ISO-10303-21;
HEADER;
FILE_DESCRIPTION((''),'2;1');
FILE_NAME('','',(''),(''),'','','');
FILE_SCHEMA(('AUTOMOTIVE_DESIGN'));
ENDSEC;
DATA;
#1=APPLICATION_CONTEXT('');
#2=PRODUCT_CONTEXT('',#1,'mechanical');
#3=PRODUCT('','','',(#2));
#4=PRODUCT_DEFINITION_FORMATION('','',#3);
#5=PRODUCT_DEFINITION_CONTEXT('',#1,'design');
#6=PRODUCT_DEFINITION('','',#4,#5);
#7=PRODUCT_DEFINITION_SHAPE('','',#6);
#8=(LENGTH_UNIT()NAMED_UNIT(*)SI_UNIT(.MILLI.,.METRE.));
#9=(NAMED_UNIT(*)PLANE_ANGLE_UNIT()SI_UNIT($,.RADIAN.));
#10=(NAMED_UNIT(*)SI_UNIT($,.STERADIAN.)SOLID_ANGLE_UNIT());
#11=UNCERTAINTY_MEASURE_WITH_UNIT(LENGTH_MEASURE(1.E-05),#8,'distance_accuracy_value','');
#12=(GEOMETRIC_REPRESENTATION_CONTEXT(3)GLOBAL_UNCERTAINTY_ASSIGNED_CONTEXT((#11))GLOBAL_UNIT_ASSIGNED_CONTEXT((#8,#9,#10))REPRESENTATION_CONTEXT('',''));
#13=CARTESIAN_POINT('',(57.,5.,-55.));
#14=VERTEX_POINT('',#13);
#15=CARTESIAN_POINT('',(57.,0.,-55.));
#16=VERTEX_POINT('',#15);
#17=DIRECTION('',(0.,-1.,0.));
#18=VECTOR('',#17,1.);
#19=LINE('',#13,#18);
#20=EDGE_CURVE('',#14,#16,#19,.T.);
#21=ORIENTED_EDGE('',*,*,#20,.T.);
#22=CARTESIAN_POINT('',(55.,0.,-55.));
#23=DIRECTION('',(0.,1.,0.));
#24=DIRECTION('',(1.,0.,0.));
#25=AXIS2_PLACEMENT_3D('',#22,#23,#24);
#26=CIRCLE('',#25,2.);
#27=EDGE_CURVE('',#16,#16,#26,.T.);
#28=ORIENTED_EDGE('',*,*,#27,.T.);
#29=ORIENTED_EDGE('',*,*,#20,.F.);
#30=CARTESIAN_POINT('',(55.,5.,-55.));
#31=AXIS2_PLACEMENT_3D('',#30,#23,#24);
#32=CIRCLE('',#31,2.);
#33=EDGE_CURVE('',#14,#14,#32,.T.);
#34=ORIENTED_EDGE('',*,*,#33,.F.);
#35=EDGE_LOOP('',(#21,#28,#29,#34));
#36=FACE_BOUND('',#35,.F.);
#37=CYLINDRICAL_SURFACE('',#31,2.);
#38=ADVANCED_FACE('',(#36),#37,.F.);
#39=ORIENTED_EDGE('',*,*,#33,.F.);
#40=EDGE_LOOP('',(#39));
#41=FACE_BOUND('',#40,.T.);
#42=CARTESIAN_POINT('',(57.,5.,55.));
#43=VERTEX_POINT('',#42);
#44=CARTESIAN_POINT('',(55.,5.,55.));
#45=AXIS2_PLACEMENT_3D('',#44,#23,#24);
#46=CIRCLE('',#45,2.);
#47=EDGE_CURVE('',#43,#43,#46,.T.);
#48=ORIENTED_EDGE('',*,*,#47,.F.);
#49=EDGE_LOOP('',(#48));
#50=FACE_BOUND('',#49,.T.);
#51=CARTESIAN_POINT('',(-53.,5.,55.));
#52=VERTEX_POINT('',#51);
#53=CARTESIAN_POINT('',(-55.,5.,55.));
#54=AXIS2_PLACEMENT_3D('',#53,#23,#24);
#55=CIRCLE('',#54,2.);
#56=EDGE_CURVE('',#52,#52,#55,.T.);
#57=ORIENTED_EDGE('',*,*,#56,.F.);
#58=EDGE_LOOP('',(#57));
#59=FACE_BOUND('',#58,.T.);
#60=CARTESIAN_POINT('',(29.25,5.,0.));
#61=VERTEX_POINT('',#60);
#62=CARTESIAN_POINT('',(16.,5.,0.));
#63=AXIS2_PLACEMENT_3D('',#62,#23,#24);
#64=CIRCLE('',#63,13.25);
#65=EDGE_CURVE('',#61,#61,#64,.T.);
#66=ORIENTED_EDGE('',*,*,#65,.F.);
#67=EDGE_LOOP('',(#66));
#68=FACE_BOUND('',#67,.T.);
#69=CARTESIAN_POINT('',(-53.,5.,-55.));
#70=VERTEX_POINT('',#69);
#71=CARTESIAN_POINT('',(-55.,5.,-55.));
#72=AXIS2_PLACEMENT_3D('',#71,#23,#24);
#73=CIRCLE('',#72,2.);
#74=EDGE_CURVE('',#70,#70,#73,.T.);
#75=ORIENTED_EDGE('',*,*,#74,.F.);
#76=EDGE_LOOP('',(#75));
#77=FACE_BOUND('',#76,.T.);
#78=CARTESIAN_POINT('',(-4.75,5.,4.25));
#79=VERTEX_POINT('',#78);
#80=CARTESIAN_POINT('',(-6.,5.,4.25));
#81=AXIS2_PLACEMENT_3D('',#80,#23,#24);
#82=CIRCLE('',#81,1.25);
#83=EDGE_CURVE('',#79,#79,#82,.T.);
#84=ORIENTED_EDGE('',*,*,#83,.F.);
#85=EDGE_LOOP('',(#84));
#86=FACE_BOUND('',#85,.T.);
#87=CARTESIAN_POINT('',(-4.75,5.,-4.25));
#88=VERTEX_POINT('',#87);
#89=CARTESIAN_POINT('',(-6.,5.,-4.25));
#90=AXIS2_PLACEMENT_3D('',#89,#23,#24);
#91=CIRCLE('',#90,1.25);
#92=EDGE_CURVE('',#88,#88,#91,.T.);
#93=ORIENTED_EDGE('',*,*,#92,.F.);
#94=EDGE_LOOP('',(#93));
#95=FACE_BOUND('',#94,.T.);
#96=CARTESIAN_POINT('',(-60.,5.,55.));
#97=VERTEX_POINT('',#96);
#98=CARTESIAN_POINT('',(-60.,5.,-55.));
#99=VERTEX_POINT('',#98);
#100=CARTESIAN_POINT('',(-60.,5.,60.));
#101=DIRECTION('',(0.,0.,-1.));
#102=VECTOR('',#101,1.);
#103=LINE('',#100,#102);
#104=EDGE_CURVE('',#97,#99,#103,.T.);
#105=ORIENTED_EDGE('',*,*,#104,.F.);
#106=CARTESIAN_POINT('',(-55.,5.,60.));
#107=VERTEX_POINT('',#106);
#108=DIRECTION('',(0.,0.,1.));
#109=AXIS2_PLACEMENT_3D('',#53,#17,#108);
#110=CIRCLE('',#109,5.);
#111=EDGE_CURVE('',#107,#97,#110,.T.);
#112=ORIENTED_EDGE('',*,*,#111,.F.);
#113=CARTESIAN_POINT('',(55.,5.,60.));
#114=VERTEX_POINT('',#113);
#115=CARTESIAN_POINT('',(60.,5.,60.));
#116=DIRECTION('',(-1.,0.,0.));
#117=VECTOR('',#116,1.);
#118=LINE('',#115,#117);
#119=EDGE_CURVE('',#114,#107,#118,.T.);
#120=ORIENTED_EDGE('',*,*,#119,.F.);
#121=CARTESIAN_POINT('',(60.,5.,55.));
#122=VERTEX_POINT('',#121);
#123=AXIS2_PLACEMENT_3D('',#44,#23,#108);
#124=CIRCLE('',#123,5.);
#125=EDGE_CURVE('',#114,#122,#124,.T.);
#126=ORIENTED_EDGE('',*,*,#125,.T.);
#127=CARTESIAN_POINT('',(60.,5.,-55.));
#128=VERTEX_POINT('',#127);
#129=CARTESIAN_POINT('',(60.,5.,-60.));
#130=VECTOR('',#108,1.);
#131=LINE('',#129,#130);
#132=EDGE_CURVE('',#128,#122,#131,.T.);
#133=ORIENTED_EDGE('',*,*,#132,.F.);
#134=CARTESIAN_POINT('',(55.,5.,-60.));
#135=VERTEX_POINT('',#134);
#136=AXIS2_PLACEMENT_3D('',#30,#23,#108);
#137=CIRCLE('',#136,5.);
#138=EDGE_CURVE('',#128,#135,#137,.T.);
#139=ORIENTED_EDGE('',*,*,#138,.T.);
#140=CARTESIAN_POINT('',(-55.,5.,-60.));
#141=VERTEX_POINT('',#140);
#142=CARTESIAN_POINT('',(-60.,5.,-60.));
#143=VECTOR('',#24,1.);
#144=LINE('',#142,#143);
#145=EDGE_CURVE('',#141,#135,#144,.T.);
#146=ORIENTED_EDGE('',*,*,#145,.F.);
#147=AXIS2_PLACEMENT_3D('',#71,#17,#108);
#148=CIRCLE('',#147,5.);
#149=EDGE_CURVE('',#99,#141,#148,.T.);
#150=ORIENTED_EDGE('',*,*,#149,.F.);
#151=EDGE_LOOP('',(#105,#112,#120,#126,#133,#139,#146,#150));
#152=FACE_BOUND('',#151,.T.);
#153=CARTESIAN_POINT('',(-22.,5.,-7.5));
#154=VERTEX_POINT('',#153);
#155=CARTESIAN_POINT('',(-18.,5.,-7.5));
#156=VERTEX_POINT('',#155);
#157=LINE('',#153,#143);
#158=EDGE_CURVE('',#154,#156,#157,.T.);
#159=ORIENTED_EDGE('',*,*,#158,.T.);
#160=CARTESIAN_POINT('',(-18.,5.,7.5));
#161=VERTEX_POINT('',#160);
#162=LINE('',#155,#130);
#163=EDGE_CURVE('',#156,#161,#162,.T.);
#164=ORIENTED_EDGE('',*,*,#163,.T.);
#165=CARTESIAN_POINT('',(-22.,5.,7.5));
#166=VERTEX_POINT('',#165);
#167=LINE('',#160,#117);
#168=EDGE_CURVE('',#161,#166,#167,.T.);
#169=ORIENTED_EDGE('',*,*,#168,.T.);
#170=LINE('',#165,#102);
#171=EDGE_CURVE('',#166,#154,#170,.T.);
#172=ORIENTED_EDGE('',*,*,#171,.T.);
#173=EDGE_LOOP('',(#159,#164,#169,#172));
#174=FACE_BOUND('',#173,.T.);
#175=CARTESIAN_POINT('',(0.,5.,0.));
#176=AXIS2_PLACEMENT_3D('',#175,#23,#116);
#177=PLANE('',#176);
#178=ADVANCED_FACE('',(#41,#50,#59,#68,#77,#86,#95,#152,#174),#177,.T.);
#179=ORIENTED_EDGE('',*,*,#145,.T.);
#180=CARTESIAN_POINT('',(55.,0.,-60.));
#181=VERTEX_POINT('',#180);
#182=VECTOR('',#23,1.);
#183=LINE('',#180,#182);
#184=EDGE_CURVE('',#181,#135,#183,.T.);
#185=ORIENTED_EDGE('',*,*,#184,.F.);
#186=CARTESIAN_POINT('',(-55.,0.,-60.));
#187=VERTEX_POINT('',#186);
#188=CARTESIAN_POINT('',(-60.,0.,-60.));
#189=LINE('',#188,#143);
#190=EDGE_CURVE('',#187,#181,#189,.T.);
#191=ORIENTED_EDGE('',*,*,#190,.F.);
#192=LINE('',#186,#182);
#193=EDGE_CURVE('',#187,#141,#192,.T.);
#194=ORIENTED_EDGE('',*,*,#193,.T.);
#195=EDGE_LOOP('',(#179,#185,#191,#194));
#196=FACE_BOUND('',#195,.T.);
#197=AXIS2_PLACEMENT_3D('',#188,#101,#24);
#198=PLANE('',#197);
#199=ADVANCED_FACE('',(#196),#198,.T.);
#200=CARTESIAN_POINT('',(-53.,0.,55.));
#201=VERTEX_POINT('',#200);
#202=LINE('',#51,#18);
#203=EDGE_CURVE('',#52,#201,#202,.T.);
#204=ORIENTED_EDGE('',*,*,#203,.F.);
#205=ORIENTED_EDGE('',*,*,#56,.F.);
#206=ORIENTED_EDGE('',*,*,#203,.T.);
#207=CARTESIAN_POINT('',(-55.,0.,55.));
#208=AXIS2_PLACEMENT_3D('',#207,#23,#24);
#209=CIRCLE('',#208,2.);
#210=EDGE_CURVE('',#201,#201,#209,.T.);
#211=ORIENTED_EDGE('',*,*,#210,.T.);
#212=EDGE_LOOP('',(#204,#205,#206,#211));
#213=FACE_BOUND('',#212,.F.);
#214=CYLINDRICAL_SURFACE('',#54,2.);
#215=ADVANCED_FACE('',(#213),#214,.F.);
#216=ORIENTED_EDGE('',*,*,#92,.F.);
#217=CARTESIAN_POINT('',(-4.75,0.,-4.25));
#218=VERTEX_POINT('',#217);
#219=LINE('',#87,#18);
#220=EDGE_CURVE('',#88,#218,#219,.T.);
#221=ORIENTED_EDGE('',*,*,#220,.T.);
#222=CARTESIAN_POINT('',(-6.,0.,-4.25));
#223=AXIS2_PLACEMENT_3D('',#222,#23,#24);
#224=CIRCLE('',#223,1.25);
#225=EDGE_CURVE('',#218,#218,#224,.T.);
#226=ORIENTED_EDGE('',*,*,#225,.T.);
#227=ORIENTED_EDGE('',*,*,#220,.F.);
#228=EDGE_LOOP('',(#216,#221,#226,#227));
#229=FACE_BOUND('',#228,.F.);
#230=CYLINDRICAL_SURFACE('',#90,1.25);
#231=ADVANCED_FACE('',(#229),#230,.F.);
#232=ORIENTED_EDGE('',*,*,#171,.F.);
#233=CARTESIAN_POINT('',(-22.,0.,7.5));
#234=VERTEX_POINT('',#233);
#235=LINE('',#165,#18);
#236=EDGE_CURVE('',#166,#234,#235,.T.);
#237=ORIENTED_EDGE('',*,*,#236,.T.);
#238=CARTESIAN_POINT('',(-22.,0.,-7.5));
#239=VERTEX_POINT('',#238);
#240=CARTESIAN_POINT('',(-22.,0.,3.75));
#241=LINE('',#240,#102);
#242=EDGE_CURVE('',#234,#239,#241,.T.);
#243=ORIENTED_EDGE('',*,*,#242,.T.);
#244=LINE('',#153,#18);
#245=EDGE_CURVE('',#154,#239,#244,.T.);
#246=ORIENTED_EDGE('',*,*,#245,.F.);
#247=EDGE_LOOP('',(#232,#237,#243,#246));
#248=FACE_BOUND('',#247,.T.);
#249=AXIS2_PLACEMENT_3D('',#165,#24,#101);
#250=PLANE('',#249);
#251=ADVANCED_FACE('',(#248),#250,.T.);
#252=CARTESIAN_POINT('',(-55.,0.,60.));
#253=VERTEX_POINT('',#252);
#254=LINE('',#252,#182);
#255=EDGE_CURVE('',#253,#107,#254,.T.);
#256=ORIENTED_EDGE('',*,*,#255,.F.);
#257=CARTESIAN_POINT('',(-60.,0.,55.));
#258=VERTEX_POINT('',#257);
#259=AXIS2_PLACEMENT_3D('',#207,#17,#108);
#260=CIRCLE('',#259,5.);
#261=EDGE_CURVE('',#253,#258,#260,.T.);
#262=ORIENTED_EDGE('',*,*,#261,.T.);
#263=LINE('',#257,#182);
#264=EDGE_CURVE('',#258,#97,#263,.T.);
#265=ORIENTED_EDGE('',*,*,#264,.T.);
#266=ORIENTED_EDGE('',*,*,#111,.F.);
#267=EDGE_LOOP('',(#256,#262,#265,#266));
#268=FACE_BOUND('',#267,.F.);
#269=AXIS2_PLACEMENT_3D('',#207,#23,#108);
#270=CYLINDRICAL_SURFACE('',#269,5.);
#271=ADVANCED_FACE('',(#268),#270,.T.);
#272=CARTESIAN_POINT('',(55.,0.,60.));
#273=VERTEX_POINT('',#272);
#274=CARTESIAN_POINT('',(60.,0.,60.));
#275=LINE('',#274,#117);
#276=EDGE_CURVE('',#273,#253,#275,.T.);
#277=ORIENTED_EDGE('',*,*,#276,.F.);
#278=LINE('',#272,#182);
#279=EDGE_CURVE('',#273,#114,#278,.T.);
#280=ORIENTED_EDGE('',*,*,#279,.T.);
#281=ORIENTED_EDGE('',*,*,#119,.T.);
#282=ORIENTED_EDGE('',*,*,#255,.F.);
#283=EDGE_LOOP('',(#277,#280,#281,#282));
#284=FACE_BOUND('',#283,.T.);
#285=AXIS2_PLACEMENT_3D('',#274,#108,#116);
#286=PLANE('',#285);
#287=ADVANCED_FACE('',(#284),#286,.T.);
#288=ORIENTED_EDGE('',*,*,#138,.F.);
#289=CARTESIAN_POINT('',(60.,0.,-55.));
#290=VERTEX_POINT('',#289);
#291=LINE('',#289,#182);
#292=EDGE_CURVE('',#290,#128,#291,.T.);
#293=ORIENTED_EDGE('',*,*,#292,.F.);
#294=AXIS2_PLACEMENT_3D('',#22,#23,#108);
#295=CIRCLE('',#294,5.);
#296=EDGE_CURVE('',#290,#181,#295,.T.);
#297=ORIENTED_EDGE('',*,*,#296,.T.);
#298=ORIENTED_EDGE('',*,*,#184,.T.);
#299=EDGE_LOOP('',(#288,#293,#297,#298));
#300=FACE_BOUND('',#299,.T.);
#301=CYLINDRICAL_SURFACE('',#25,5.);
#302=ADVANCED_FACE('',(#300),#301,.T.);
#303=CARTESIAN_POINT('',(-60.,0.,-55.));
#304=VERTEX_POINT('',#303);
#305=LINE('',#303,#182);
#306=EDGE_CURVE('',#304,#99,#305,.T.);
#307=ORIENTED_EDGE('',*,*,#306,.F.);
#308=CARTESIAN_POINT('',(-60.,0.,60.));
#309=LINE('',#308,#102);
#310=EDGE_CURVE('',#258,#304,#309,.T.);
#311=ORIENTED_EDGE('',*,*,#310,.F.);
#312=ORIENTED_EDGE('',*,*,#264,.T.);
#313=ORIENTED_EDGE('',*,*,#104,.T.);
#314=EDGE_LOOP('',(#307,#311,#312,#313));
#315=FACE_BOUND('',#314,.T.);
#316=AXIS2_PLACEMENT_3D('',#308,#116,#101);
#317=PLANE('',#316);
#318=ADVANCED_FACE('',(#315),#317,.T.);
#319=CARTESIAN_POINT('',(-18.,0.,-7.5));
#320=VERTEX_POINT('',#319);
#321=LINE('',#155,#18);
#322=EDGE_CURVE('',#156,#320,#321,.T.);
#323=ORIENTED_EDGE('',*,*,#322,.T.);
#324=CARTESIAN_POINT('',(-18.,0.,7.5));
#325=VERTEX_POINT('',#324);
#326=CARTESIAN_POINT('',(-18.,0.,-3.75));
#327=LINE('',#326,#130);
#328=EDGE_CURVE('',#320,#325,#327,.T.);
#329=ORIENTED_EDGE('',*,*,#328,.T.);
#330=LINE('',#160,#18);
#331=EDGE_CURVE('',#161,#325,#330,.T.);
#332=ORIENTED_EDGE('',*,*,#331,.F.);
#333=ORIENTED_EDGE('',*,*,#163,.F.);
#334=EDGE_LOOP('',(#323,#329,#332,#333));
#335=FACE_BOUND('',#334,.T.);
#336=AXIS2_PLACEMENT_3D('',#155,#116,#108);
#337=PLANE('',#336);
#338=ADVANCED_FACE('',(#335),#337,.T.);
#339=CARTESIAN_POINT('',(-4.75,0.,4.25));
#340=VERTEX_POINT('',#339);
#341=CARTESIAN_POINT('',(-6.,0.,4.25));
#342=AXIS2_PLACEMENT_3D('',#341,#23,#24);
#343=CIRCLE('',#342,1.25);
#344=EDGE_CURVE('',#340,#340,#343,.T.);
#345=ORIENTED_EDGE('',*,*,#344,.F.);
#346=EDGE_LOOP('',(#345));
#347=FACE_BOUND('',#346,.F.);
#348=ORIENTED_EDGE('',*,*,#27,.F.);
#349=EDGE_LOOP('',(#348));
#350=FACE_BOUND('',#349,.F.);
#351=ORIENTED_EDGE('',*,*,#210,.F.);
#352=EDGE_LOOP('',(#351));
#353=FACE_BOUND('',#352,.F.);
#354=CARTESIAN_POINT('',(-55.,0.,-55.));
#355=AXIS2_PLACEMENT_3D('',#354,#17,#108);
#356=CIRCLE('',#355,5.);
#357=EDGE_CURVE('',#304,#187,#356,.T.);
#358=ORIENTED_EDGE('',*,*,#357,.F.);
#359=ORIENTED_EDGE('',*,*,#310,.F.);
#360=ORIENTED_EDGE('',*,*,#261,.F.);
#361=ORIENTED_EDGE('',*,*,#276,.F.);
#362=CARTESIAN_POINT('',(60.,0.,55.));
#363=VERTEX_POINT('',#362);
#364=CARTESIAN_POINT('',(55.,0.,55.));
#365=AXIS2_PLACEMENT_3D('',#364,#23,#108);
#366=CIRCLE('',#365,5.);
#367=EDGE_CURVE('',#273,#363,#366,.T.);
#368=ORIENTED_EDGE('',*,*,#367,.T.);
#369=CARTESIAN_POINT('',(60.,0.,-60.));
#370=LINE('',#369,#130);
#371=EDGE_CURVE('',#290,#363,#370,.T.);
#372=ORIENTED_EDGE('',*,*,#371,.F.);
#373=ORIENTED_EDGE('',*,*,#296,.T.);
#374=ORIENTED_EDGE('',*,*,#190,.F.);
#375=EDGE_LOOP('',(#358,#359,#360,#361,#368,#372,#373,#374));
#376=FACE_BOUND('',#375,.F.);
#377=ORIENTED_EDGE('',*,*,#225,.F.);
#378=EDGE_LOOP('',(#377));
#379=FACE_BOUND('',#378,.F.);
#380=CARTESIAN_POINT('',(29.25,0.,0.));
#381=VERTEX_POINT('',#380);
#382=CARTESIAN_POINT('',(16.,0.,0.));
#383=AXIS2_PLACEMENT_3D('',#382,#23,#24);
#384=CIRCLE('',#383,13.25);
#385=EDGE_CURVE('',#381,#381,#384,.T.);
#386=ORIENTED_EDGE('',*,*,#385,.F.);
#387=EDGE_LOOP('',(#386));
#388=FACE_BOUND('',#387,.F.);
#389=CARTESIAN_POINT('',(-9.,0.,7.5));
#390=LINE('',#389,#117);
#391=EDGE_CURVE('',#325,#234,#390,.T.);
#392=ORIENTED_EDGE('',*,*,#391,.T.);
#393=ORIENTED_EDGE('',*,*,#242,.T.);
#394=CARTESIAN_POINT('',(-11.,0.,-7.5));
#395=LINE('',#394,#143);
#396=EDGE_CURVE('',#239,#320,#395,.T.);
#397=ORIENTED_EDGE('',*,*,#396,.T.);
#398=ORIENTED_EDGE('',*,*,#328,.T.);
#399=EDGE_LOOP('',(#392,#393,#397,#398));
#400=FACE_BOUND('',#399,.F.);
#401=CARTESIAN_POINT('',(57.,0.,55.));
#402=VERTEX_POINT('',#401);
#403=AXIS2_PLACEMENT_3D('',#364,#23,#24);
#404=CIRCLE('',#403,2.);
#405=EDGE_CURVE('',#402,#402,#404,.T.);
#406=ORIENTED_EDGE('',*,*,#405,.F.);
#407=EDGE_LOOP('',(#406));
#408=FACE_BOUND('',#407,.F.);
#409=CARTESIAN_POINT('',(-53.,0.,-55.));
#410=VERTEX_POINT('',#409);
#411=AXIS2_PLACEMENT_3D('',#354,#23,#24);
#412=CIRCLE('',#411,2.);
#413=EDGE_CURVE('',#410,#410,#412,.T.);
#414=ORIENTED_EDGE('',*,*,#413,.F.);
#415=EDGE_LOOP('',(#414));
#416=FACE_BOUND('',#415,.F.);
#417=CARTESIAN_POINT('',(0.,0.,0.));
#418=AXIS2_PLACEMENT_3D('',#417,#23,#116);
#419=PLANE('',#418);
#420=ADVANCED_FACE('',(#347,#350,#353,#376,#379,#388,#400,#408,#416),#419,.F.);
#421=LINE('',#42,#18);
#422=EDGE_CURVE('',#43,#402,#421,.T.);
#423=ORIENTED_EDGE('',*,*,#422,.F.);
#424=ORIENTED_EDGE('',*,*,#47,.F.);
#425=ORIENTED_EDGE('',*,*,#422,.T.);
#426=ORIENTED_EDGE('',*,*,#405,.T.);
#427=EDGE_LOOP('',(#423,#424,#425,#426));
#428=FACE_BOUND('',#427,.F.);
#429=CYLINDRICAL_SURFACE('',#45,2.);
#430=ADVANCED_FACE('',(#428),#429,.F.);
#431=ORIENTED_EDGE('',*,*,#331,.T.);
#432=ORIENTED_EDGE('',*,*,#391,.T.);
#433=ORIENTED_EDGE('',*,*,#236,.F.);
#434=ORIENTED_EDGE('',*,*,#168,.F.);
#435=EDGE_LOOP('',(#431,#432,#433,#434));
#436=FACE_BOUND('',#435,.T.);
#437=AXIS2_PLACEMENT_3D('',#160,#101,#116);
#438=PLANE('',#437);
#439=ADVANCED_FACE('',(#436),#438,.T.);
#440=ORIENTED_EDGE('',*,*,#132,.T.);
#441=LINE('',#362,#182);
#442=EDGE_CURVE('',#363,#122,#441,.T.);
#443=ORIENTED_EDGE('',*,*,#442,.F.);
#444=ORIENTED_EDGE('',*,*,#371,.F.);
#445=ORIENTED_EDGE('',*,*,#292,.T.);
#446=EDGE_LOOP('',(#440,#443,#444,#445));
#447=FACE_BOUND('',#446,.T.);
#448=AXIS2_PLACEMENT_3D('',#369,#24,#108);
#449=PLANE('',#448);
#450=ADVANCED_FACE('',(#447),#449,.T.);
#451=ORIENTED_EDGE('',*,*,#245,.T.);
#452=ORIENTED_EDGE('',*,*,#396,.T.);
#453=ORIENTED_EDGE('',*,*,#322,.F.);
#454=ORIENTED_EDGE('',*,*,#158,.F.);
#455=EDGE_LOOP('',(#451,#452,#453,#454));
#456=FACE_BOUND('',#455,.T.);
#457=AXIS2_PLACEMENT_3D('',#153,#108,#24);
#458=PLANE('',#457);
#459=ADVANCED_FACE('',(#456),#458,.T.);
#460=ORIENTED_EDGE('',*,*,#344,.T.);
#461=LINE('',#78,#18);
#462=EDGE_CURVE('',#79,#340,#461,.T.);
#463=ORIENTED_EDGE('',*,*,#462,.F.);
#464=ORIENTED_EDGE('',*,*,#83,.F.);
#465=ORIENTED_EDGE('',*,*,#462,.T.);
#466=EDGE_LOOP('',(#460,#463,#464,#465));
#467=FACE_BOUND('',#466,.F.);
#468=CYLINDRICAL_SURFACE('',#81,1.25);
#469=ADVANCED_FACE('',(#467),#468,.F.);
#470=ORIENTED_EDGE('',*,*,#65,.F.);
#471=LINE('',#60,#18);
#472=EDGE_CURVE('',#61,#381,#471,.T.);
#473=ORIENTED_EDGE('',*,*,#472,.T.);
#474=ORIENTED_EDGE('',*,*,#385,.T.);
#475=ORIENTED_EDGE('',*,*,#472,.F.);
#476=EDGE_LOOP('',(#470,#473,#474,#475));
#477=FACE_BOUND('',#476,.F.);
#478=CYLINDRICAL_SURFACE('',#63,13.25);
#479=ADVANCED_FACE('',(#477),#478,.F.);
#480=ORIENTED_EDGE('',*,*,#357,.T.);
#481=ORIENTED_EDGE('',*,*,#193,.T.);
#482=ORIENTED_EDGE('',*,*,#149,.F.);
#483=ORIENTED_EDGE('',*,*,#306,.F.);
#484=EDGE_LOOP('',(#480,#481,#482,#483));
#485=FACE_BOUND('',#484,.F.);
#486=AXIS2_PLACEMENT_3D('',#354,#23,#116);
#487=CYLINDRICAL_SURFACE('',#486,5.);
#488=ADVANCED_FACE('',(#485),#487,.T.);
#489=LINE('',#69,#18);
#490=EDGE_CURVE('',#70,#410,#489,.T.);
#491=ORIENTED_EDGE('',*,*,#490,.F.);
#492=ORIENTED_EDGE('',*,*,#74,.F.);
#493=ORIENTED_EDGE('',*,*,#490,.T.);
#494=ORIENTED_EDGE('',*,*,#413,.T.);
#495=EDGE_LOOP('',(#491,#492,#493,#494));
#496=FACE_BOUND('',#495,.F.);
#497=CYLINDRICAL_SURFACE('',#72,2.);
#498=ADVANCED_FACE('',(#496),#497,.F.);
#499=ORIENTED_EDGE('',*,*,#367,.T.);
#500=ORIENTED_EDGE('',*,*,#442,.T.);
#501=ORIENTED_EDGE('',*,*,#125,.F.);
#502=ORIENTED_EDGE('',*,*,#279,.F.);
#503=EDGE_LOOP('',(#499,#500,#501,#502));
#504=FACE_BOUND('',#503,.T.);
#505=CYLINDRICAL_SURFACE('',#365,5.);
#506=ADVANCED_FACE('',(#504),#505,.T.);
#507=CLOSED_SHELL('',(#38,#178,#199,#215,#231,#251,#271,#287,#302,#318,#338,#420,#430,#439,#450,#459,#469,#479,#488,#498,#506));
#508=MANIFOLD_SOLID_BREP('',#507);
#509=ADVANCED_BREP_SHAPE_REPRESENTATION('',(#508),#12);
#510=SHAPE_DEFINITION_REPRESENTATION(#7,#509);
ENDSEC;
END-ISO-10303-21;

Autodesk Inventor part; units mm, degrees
ref_plane "YZ Plane" through (0, 0, 0) normal (1, 0, 0) x (0, 1, 0)
ref_plane "XZ Plane" through (0, 0, 0) normal (0, 1, 0) x (-1, 0, 0)
ref_plane "XY Plane" through (0, 0, 0) normal (0, 0, 1) x (1, 0, 0)
sketch "Sketch1" plane through (0, 0, 0) normal (0, 1, 0) x (-1, 0, 0)
  line L0 (-60, 60) -> (60, 60)
  line L1 (60, 60) -> (60, -60)
  line L2 (60, -60) -> (-60, -60)
  line L3 (-60, -60) -> (-60, 60)
  line L4 (-60, 60) -> (60, -60) construction
  line L5 (60, 60) -> (-60, -60) construction
  point P0 (0, 0)
  dimension "d0" = 120
  dimension "d1" = 120
extrude "Extrusion1" add sketch "Sketch1" along normal blind 5
sketch "Sketch2" plane through (0, 5, 0) normal (0, 1, 0) x (1, 0, 0)
  line L0 (55, -55) -> (-55, -55) construction
  line L1 (-55, -55) -> (-55, 55) construction
  line L2 (-55, 55) -> (55, 55) construction
  line L3 (55, 55) -> (55, -55) construction
  line L4 (55, -55) -> (-55, 55) construction
  line L5 (-55, -55) -> (55, 55) construction
  circle A0 centre (-55, 55) radius 2
  circle A1 centre (-55, -55) radius 2
  circle A2 centre (55, 55) radius 2
  circle A3 centre (55, -55) radius 2
  point P0 (0, 0)
  dimension "d4" = 110
  dimension "d5" = 110
  dimension "d6" = 4
  dimension "d7" = 4
  dimension "d8" = 4
  dimension "d9" = 4
extrude "Extrusion2" cut sketch "Sketch2" against normal blind 5
fillet "Fillet1" radius 5 4 edges at (60, 2.5, -60) (60, 2.5, 60) (-60, 2.5, -60) (-60, 2.5, 60)
sketch "Sketch4" plane through (0, 5, 0) normal (0, 1, 0) x (1, 0, 0)
  line L0 (-22, 7.5) -> (-18, 7.5)
  line L1 (-18, 7.5) -> (-18, -7.5)
  line L2 (-18, -7.5) -> (-22, -7.5)
  line L3 (-22, -7.5) -> (-22, 7.5)
  line L4 (-22, 7.5) -> (-18, -7.5) construction
  line L5 (-18, 7.5) -> (-22, -7.5) construction
  circle A0 centre (-6, 4.25) radius 1.25
  circle A1 centre (-6, -4.25) radius 1.25
  circle A2 centre (16, 0) radius 13.25
  point P0 (0, 0)
  point P1 (-20, 0)
  dimension "d14" = 4
  dimension "d15" = 15
  dimension "d16" = 20
  dimension "d17" = 14
  dimension "d18" = 14
  dimension "d19" = 2.5
  dimension "d20" = 2.5
  dimension "d21" = 8.5
  dimension "d22" = 4.25
  dimension "d25" = 26.5
  dimension "d26" = 16
extrude "Extrusion3" cut sketch "Sketch4" against normal blind 10
properties part number "Calibration Arena 2"
